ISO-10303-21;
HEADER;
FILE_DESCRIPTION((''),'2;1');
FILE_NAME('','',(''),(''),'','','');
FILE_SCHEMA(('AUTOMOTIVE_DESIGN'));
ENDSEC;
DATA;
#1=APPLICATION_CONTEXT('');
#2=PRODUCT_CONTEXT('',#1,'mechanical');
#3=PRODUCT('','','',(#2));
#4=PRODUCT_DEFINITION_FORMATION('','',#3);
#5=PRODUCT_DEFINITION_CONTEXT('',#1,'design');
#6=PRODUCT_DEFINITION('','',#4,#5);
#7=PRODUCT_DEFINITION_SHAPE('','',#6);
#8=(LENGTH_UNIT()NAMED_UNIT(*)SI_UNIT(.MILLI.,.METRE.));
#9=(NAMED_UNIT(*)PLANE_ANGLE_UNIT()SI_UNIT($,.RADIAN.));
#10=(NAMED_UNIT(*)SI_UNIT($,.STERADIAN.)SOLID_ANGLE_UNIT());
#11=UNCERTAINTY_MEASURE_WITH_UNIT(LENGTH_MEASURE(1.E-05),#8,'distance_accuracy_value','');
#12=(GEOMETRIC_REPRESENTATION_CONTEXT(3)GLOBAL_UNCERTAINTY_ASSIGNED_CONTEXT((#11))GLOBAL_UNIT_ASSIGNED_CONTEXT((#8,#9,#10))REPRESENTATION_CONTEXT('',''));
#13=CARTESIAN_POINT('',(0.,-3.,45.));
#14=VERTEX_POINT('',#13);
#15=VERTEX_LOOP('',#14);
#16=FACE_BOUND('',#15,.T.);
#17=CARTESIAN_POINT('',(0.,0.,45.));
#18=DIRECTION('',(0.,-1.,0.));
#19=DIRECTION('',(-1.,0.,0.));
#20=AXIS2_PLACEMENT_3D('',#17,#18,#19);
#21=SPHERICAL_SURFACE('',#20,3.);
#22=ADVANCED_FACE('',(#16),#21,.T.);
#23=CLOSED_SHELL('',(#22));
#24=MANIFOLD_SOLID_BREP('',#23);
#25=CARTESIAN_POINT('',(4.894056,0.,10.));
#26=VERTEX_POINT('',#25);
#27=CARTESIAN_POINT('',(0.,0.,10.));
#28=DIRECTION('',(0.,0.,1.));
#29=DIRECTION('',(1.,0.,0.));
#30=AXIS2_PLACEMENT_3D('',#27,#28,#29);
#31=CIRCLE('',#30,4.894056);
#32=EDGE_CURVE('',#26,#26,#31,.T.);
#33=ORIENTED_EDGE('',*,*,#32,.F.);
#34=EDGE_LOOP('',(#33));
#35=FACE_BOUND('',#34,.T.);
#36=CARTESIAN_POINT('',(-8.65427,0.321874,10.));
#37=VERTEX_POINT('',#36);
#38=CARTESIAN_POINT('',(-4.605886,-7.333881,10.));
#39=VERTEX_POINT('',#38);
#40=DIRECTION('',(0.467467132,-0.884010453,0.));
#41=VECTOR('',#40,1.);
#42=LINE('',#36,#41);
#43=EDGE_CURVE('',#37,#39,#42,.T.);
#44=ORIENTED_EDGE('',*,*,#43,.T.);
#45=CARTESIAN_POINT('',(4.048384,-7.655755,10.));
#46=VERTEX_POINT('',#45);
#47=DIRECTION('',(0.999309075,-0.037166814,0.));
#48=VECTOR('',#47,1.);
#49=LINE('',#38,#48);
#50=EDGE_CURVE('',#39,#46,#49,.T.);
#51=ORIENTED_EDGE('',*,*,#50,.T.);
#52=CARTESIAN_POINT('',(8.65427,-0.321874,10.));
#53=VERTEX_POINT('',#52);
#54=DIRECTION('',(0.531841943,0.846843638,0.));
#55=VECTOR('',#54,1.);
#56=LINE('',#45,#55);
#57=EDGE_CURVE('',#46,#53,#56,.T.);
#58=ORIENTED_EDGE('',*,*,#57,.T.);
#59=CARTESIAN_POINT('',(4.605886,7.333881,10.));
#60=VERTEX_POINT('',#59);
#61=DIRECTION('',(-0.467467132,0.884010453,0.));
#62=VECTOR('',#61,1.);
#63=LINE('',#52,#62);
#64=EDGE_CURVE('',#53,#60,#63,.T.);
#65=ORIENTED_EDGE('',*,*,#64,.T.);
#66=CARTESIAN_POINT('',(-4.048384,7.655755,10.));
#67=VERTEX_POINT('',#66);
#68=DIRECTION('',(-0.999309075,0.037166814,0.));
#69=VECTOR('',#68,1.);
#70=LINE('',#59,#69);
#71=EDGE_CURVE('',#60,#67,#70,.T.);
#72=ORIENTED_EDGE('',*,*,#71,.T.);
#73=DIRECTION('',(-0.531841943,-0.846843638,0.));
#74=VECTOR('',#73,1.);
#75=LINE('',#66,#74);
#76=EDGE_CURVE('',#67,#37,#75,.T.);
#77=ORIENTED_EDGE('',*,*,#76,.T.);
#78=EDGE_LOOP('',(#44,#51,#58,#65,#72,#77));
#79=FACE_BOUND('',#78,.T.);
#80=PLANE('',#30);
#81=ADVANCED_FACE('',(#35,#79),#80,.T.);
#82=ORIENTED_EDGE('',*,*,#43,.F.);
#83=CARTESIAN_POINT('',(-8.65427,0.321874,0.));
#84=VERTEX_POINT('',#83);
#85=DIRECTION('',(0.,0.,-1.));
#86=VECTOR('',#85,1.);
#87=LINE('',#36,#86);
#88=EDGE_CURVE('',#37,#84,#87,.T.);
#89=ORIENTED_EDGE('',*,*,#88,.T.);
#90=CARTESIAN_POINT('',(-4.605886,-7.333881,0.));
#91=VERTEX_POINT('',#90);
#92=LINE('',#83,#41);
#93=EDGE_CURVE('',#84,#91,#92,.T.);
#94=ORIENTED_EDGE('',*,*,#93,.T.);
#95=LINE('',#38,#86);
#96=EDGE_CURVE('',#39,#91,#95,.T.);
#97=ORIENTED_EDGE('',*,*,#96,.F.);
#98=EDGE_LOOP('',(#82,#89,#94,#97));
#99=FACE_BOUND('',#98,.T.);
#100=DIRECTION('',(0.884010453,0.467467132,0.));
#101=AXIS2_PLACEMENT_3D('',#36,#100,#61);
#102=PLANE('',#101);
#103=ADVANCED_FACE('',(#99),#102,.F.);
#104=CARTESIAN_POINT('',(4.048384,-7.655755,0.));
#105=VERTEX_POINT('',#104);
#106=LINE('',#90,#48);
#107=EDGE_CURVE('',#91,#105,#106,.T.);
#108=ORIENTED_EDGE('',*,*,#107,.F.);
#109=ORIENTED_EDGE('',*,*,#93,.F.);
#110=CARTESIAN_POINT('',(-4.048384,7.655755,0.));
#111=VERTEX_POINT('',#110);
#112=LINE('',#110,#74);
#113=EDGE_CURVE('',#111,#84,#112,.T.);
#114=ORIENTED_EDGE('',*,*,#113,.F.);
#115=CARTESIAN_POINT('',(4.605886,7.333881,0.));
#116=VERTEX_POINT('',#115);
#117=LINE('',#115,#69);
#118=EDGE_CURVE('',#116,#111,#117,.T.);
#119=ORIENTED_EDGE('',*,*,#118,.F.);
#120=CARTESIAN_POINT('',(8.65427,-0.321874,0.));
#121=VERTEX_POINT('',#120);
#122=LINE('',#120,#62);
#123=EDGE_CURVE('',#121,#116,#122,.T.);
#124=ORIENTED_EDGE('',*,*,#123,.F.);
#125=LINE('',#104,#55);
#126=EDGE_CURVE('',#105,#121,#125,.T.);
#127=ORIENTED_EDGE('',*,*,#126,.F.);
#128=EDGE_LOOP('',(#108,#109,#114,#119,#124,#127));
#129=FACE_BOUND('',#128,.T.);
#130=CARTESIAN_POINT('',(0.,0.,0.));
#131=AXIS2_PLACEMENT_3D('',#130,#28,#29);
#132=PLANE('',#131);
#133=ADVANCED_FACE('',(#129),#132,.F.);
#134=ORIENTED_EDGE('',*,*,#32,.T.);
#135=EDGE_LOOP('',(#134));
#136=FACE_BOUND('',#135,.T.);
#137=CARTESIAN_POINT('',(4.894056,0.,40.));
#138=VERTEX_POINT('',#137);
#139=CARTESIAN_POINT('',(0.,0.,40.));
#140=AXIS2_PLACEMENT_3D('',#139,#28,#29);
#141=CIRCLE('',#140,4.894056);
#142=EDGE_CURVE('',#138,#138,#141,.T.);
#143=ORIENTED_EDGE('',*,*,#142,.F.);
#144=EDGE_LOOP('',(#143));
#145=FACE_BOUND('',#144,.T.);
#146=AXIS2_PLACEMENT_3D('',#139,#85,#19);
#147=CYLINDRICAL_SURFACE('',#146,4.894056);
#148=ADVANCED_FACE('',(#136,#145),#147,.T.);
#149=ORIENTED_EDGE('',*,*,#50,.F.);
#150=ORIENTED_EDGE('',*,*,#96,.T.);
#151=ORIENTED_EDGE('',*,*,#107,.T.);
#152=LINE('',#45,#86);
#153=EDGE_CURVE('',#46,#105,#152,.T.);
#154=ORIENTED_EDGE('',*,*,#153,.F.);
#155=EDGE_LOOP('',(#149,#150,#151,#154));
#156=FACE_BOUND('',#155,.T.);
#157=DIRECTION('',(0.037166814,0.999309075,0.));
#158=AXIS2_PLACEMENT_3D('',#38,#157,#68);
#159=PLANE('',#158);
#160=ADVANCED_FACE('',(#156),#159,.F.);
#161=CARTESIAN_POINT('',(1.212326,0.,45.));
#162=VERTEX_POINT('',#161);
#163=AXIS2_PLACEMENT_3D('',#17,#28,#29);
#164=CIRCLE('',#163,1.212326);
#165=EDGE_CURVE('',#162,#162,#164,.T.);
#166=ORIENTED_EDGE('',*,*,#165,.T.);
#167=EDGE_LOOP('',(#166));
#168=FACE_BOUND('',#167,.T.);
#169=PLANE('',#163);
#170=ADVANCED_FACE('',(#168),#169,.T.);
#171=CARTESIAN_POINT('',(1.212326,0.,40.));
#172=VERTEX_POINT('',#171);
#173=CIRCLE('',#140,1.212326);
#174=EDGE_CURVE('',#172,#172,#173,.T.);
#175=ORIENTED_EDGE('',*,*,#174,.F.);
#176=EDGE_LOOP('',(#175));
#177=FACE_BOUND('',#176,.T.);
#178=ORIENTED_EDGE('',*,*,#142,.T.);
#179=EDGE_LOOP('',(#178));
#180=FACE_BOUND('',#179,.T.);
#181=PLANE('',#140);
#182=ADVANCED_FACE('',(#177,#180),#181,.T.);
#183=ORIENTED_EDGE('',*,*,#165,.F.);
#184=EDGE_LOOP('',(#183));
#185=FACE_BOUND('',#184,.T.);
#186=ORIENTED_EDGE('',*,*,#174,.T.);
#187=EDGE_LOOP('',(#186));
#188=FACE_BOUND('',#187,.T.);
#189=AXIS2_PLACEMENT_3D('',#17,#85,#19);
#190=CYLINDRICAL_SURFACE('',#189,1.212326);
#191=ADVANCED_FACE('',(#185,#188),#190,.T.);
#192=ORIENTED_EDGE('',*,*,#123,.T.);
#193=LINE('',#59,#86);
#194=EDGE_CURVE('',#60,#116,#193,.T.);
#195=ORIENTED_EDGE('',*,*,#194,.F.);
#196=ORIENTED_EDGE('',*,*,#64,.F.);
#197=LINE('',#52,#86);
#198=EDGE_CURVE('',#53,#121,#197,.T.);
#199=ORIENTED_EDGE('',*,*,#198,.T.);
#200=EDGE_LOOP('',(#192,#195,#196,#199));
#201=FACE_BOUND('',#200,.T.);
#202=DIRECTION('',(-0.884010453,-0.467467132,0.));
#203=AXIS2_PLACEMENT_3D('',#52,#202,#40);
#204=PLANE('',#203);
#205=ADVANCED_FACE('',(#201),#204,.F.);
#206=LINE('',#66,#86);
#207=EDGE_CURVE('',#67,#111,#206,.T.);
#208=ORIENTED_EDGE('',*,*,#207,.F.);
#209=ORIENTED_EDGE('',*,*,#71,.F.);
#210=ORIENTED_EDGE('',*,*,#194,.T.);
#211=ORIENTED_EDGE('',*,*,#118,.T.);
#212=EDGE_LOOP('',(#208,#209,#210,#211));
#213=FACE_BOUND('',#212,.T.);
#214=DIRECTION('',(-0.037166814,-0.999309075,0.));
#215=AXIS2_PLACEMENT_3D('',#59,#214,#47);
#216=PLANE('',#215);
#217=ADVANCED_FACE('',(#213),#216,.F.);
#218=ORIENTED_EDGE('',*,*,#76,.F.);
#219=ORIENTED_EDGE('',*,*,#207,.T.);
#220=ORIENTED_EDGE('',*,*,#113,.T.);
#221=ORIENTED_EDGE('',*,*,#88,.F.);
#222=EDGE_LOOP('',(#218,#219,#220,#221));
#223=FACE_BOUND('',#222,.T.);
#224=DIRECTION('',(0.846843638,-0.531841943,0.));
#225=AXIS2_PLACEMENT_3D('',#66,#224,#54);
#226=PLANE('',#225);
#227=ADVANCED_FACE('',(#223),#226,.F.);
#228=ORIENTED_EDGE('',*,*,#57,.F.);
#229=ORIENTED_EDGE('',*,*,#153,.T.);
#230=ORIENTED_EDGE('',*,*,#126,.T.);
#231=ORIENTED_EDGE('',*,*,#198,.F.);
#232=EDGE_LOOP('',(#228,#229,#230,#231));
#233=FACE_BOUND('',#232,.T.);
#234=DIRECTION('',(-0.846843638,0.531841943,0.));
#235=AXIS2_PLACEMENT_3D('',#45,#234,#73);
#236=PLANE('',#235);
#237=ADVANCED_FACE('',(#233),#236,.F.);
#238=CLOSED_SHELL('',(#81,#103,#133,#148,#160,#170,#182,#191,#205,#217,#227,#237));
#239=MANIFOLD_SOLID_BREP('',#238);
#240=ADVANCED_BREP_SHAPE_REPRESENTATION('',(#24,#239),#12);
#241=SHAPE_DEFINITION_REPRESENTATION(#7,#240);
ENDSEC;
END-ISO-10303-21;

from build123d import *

# Parameters (mm, degrees)
BOSS_EXTRU_1_DEPTH = 10
BOSS_EXTRU_2_DEPTH = 10
ESQUISSE2_R        = 4.894055533
BOSS_EXTRU_3_DEPTH = 30
ESQUISSE3_R        = 1.212326076
BOSS_EXTRU_4_DEPTH = 5


with BuildPart() as part:
    # Esquisse1 → Boss.-Extru.1 (new body)
    with BuildSketch(Plane.XY):
        Polygon((4.048384121, -7.655755091), (8.654270454, -0.321874053), (4.605886333, 7.333881038), (-4.048384121, 7.655755091), (-8.654270454, 0.321874053), (-4.605886333, -7.333881038), align=None)
    extrude(amount=BOSS_EXTRU_1_DEPTH)

    # Esquisse1<2> → Boss.-Extru.2 (add)
    with BuildSketch(Plane.XY):
        Polygon((4.048384121, -7.655755091), (8.654270454, -0.321874053), (4.605886333, 7.333881038), (-4.048384121, 7.655755091), (-8.654270454, 0.321874053), (-4.605886333, -7.333881038), align=None)
    extrude(amount=BOSS_EXTRU_2_DEPTH)

    # Esquisse2 → Boss.-Extru.3 (add)
    with BuildSketch(Plane.XY.offset(10)):
        Circle(ESQUISSE2_R)
    extrude(amount=BOSS_EXTRU_3_DEPTH)

    # Esquisse3 → Boss.-Extru.4 (add)
    with BuildSketch(Plane.XY.offset(40)):
        Circle(ESQUISSE3_R)
    extrude(amount=BOSS_EXTRU_4_DEPTH)


with BuildPart() as body_2:
    # Esquisse4 → Révolution2 (revolve)
    with BuildSketch(Plane.XY.offset(45)):
        with BuildLine():
            Line((0, 3), (0, -3))
            ThreePointArc((0, -3), (3, 0), (0, 3))
        make_face()
    revolve(axis=Axis((0, 0, 45), (0, 1, 0)))


solid = Compound([part.part, body_2.part])
